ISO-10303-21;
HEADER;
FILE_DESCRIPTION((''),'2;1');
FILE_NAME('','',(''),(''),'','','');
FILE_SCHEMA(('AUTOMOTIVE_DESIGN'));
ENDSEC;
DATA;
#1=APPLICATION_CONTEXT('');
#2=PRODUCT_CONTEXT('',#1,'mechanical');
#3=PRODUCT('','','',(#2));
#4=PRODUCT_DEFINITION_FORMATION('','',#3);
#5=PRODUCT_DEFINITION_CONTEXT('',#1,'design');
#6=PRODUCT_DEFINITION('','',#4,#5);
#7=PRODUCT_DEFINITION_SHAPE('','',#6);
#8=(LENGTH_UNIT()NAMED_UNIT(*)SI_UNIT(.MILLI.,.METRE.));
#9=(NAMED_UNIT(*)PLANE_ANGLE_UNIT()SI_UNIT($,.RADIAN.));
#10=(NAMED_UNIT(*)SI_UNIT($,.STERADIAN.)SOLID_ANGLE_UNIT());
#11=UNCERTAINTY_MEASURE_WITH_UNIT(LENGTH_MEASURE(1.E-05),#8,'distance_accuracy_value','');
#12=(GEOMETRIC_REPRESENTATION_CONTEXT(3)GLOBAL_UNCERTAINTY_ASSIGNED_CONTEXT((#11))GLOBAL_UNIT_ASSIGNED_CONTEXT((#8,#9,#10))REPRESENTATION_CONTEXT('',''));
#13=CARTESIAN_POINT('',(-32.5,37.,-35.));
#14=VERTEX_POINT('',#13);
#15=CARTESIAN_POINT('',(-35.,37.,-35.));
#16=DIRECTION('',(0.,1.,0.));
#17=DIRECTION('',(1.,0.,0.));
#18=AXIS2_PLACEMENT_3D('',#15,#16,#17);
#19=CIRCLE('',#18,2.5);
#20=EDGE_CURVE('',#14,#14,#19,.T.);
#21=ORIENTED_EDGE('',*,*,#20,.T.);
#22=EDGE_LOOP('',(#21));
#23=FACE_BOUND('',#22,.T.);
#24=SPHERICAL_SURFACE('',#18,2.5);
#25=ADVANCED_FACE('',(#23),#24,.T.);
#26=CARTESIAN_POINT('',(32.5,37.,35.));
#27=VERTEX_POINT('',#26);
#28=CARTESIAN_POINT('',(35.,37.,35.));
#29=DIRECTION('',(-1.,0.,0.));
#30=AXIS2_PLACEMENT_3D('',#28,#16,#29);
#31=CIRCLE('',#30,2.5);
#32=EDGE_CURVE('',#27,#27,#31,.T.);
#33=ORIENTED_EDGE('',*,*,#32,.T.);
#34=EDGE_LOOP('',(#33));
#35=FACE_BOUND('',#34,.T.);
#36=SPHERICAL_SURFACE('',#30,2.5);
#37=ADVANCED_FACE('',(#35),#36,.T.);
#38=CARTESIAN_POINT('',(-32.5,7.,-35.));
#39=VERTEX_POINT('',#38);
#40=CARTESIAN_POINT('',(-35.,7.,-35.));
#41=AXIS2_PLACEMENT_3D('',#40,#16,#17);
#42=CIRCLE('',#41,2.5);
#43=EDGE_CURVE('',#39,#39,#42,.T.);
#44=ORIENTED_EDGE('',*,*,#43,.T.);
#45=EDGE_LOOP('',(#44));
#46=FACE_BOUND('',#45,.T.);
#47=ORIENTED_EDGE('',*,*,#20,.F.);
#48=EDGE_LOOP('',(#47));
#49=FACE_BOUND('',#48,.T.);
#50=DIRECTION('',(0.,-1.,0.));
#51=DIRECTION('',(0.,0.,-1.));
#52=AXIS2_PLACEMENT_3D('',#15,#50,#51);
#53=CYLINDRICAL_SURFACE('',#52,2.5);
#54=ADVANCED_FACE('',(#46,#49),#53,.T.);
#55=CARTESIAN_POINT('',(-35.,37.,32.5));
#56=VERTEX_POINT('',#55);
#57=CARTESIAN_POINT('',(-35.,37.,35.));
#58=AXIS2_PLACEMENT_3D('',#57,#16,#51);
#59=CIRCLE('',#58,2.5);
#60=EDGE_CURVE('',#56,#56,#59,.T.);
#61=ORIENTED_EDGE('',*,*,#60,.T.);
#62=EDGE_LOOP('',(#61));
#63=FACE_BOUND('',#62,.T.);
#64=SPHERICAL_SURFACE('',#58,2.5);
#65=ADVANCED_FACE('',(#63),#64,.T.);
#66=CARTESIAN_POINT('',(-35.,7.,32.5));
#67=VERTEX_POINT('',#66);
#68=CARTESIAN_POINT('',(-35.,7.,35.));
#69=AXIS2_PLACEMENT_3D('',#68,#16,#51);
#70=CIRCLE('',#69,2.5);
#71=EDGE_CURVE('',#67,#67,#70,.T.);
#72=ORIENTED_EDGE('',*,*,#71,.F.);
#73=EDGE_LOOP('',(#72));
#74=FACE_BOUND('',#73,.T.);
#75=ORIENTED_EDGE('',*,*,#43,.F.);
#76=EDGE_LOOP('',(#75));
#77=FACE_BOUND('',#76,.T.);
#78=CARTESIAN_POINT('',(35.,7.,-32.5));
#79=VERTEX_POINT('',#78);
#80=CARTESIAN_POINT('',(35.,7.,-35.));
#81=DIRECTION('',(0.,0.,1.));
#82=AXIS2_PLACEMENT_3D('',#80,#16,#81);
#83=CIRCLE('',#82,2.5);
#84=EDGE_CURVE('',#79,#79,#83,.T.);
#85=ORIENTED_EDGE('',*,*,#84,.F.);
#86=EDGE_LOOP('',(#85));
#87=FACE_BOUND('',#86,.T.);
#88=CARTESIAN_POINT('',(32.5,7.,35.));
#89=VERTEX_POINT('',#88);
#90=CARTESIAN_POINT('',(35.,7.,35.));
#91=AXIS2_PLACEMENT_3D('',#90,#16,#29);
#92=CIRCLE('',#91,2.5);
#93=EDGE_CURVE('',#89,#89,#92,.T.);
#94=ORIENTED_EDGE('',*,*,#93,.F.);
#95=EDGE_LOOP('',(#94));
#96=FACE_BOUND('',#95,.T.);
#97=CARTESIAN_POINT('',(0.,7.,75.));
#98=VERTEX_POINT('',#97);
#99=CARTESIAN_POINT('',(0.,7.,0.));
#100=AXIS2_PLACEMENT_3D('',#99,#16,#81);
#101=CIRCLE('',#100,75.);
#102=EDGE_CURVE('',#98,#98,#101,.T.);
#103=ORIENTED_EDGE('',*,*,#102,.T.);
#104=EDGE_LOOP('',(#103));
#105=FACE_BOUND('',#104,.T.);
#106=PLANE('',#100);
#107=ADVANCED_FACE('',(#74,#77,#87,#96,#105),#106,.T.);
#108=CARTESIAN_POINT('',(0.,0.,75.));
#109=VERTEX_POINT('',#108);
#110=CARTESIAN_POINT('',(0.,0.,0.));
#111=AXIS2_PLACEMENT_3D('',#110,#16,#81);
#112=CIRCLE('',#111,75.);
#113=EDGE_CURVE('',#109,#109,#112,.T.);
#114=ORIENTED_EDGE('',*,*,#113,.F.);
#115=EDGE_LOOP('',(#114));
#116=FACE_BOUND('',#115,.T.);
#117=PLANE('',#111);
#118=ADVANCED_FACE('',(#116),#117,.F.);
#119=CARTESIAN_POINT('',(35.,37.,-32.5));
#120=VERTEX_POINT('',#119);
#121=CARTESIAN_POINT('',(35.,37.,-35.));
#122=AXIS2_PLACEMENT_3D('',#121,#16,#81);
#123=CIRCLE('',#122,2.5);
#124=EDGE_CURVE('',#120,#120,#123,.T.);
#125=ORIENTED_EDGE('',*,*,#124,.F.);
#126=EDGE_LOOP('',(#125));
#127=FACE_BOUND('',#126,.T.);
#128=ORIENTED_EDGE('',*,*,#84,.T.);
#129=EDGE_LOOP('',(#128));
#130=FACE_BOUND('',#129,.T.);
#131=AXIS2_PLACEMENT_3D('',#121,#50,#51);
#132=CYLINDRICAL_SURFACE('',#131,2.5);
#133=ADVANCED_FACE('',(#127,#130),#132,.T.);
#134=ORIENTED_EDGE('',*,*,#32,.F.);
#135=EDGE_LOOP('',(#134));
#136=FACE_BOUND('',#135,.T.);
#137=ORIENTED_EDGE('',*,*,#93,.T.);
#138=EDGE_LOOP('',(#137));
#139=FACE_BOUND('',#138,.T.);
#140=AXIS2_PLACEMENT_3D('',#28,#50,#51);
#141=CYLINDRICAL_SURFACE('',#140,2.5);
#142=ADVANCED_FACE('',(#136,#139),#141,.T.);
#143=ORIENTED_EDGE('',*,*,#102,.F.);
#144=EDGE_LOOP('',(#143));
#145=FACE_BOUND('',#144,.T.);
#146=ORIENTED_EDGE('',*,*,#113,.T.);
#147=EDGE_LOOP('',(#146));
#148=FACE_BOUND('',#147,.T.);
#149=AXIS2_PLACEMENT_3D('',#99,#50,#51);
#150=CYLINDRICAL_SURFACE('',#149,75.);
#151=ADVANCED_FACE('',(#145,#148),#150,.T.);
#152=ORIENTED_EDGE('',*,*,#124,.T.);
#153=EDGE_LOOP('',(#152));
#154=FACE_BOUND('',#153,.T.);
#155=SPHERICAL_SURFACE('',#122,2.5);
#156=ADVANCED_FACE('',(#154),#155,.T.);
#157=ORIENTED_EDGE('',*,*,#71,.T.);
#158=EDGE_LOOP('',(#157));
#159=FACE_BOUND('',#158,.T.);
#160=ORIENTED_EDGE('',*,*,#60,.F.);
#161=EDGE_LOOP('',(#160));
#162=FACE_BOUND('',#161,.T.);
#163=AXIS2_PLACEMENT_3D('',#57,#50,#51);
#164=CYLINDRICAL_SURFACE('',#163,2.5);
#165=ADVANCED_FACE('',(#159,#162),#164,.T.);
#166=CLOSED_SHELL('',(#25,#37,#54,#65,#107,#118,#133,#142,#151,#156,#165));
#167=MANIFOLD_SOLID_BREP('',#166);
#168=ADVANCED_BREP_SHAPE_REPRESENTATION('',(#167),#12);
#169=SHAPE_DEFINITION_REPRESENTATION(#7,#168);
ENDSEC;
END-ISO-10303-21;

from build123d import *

# Parameters (mm, degrees)
SKETCH1_R                      = 75
BOSS_EXTRUDE1_DEPTH            = 7
SKETCH2_R                      = 2.5
BOSS_EXTRUDE2_DEPTH            = 30
DOME1_FACE_RADIUS              = 2.5
DOME1_HEIGHT                   = 2.5
CIRPATTERN1_COUNT              = 4
CIRPATTERN1_COPY_1_FACE_RADIUS = 2.5
CIRPATTERN1_COPY_1_HEIGHT      = 2.5
CIRPATTERN1_COPY_2_FACE_RADIUS = 2.5
CIRPATTERN1_COPY_2_HEIGHT      = 2.5
CIRPATTERN1_COPY_3_FACE_RADIUS = 2.5
CIRPATTERN1_COPY_3_HEIGHT      = 2.5


with BuildPart() as part:
    # Sketch1 → Boss-Extrude1 (new body)
    with BuildSketch(Plane(origin=(0, 0, 0), x_dir=(1, 0, 0), z_dir=(0, 1, 0))):
        with Locations(Location((0, 0, 0), (0, 0, 270))):
            Circle(SKETCH1_R)
    extrude(amount=BOSS_EXTRUDE1_DEPTH)

    # Sketch2 → Boss-Extrude2 (add)
    with BuildSketch(Plane(origin=(0, 7, 0), x_dir=(1, 0, 0), z_dir=(0, 1, 0))):
        with Locations(Location((35, 35, 0), (0, 0, 270))):
            Circle(SKETCH2_R)
    boss_extrude2 = extrude(amount=BOSS_EXTRUDE2_DEPTH)

    # Dome1: a dome of height H over a round flat face of radius A is a cap of a sphere of radius (A * A + H * H) / (2 * H)
    dome1_r = (DOME1_FACE_RADIUS * DOME1_FACE_RADIUS + DOME1_HEIGHT * DOME1_HEIGHT) / (2 * DOME1_HEIGHT)
    dome1_base = Plane((35, 37, -35), z_dir=(0, 1, 0))
    with Locations(dome1_base.offset(DOME1_HEIGHT - dome1_r)):
        dome1_ball = Sphere(dome1_r, mode=Mode.PRIVATE)
    add(split(dome1_ball, bisect_by=dome1_base, keep=Keep.TOP, mode=Mode.PRIVATE))

    # CirPattern1: Boss-Extrude2 ×4 about axis
    cirpattern1_axis = Axis((0, 0, 0), (0, 1, 0))
    for i in range(1, CIRPATTERN1_COUNT):
        add(boss_extrude2.rotate(cirpattern1_axis, i * 360 / CIRPATTERN1_COUNT))

    # CirPattern1 copy 1: a dome of height H over a round flat face of radius A is a cap of a sphere of radius (A * A + H * H) / (2 * H)
    cirpattern1_copy_1_r = (CIRPATTERN1_COPY_1_FACE_RADIUS * CIRPATTERN1_COPY_1_FACE_RADIUS + CIRPATTERN1_COPY_1_HEIGHT * CIRPATTERN1_COPY_1_HEIGHT) / (2 * CIRPATTERN1_COPY_1_HEIGHT)
    cirpattern1_copy_1_base = Plane((-35, 37, -35), z_dir=(0, 1, 0))
    with Locations(cirpattern1_copy_1_base.offset(CIRPATTERN1_COPY_1_HEIGHT - cirpattern1_copy_1_r)):
        cirpattern1_copy_1_ball = Sphere(cirpattern1_copy_1_r, mode=Mode.PRIVATE)
    add(split(cirpattern1_copy_1_ball, bisect_by=cirpattern1_copy_1_base, keep=Keep.TOP, mode=Mode.PRIVATE))

    # CirPattern1 copy 2: a dome of height H over a round flat face of radius A is a cap of a sphere of radius (A * A + H * H) / (2 * H)
    cirpattern1_copy_2_r = (CIRPATTERN1_COPY_2_FACE_RADIUS * CIRPATTERN1_COPY_2_FACE_RADIUS + CIRPATTERN1_COPY_2_HEIGHT * CIRPATTERN1_COPY_2_HEIGHT) / (2 * CIRPATTERN1_COPY_2_HEIGHT)
    cirpattern1_copy_2_base = Plane((-35, 37, 35), z_dir=(0, 1, 0))
    with Locations(cirpattern1_copy_2_base.offset(CIRPATTERN1_COPY_2_HEIGHT - cirpattern1_copy_2_r)):
        cirpattern1_copy_2_ball = Sphere(cirpattern1_copy_2_r, mode=Mode.PRIVATE)
    add(split(cirpattern1_copy_2_ball, bisect_by=cirpattern1_copy_2_base, keep=Keep.TOP, mode=Mode.PRIVATE))

    # CirPattern1 copy 3: a dome of height H over a round flat face of radius A is a cap of a sphere of radius (A * A + H * H) / (2 * H)
    cirpattern1_copy_3_r = (CIRPATTERN1_COPY_3_FACE_RADIUS * CIRPATTERN1_COPY_3_FACE_RADIUS + CIRPATTERN1_COPY_3_HEIGHT * CIRPATTERN1_COPY_3_HEIGHT) / (2 * CIRPATTERN1_COPY_3_HEIGHT)
    cirpattern1_copy_3_base = Plane((35, 37, 35), z_dir=(0, 1, 0))
    with Locations(cirpattern1_copy_3_base.offset(CIRPATTERN1_COPY_3_HEIGHT - cirpattern1_copy_3_r)):
        cirpattern1_copy_3_ball = Sphere(cirpattern1_copy_3_r, mode=Mode.PRIVATE)
    add(split(cirpattern1_copy_3_ball, bisect_by=cirpattern1_copy_3_base, keep=Keep.TOP, mode=Mode.PRIVATE))


solid = part.part
